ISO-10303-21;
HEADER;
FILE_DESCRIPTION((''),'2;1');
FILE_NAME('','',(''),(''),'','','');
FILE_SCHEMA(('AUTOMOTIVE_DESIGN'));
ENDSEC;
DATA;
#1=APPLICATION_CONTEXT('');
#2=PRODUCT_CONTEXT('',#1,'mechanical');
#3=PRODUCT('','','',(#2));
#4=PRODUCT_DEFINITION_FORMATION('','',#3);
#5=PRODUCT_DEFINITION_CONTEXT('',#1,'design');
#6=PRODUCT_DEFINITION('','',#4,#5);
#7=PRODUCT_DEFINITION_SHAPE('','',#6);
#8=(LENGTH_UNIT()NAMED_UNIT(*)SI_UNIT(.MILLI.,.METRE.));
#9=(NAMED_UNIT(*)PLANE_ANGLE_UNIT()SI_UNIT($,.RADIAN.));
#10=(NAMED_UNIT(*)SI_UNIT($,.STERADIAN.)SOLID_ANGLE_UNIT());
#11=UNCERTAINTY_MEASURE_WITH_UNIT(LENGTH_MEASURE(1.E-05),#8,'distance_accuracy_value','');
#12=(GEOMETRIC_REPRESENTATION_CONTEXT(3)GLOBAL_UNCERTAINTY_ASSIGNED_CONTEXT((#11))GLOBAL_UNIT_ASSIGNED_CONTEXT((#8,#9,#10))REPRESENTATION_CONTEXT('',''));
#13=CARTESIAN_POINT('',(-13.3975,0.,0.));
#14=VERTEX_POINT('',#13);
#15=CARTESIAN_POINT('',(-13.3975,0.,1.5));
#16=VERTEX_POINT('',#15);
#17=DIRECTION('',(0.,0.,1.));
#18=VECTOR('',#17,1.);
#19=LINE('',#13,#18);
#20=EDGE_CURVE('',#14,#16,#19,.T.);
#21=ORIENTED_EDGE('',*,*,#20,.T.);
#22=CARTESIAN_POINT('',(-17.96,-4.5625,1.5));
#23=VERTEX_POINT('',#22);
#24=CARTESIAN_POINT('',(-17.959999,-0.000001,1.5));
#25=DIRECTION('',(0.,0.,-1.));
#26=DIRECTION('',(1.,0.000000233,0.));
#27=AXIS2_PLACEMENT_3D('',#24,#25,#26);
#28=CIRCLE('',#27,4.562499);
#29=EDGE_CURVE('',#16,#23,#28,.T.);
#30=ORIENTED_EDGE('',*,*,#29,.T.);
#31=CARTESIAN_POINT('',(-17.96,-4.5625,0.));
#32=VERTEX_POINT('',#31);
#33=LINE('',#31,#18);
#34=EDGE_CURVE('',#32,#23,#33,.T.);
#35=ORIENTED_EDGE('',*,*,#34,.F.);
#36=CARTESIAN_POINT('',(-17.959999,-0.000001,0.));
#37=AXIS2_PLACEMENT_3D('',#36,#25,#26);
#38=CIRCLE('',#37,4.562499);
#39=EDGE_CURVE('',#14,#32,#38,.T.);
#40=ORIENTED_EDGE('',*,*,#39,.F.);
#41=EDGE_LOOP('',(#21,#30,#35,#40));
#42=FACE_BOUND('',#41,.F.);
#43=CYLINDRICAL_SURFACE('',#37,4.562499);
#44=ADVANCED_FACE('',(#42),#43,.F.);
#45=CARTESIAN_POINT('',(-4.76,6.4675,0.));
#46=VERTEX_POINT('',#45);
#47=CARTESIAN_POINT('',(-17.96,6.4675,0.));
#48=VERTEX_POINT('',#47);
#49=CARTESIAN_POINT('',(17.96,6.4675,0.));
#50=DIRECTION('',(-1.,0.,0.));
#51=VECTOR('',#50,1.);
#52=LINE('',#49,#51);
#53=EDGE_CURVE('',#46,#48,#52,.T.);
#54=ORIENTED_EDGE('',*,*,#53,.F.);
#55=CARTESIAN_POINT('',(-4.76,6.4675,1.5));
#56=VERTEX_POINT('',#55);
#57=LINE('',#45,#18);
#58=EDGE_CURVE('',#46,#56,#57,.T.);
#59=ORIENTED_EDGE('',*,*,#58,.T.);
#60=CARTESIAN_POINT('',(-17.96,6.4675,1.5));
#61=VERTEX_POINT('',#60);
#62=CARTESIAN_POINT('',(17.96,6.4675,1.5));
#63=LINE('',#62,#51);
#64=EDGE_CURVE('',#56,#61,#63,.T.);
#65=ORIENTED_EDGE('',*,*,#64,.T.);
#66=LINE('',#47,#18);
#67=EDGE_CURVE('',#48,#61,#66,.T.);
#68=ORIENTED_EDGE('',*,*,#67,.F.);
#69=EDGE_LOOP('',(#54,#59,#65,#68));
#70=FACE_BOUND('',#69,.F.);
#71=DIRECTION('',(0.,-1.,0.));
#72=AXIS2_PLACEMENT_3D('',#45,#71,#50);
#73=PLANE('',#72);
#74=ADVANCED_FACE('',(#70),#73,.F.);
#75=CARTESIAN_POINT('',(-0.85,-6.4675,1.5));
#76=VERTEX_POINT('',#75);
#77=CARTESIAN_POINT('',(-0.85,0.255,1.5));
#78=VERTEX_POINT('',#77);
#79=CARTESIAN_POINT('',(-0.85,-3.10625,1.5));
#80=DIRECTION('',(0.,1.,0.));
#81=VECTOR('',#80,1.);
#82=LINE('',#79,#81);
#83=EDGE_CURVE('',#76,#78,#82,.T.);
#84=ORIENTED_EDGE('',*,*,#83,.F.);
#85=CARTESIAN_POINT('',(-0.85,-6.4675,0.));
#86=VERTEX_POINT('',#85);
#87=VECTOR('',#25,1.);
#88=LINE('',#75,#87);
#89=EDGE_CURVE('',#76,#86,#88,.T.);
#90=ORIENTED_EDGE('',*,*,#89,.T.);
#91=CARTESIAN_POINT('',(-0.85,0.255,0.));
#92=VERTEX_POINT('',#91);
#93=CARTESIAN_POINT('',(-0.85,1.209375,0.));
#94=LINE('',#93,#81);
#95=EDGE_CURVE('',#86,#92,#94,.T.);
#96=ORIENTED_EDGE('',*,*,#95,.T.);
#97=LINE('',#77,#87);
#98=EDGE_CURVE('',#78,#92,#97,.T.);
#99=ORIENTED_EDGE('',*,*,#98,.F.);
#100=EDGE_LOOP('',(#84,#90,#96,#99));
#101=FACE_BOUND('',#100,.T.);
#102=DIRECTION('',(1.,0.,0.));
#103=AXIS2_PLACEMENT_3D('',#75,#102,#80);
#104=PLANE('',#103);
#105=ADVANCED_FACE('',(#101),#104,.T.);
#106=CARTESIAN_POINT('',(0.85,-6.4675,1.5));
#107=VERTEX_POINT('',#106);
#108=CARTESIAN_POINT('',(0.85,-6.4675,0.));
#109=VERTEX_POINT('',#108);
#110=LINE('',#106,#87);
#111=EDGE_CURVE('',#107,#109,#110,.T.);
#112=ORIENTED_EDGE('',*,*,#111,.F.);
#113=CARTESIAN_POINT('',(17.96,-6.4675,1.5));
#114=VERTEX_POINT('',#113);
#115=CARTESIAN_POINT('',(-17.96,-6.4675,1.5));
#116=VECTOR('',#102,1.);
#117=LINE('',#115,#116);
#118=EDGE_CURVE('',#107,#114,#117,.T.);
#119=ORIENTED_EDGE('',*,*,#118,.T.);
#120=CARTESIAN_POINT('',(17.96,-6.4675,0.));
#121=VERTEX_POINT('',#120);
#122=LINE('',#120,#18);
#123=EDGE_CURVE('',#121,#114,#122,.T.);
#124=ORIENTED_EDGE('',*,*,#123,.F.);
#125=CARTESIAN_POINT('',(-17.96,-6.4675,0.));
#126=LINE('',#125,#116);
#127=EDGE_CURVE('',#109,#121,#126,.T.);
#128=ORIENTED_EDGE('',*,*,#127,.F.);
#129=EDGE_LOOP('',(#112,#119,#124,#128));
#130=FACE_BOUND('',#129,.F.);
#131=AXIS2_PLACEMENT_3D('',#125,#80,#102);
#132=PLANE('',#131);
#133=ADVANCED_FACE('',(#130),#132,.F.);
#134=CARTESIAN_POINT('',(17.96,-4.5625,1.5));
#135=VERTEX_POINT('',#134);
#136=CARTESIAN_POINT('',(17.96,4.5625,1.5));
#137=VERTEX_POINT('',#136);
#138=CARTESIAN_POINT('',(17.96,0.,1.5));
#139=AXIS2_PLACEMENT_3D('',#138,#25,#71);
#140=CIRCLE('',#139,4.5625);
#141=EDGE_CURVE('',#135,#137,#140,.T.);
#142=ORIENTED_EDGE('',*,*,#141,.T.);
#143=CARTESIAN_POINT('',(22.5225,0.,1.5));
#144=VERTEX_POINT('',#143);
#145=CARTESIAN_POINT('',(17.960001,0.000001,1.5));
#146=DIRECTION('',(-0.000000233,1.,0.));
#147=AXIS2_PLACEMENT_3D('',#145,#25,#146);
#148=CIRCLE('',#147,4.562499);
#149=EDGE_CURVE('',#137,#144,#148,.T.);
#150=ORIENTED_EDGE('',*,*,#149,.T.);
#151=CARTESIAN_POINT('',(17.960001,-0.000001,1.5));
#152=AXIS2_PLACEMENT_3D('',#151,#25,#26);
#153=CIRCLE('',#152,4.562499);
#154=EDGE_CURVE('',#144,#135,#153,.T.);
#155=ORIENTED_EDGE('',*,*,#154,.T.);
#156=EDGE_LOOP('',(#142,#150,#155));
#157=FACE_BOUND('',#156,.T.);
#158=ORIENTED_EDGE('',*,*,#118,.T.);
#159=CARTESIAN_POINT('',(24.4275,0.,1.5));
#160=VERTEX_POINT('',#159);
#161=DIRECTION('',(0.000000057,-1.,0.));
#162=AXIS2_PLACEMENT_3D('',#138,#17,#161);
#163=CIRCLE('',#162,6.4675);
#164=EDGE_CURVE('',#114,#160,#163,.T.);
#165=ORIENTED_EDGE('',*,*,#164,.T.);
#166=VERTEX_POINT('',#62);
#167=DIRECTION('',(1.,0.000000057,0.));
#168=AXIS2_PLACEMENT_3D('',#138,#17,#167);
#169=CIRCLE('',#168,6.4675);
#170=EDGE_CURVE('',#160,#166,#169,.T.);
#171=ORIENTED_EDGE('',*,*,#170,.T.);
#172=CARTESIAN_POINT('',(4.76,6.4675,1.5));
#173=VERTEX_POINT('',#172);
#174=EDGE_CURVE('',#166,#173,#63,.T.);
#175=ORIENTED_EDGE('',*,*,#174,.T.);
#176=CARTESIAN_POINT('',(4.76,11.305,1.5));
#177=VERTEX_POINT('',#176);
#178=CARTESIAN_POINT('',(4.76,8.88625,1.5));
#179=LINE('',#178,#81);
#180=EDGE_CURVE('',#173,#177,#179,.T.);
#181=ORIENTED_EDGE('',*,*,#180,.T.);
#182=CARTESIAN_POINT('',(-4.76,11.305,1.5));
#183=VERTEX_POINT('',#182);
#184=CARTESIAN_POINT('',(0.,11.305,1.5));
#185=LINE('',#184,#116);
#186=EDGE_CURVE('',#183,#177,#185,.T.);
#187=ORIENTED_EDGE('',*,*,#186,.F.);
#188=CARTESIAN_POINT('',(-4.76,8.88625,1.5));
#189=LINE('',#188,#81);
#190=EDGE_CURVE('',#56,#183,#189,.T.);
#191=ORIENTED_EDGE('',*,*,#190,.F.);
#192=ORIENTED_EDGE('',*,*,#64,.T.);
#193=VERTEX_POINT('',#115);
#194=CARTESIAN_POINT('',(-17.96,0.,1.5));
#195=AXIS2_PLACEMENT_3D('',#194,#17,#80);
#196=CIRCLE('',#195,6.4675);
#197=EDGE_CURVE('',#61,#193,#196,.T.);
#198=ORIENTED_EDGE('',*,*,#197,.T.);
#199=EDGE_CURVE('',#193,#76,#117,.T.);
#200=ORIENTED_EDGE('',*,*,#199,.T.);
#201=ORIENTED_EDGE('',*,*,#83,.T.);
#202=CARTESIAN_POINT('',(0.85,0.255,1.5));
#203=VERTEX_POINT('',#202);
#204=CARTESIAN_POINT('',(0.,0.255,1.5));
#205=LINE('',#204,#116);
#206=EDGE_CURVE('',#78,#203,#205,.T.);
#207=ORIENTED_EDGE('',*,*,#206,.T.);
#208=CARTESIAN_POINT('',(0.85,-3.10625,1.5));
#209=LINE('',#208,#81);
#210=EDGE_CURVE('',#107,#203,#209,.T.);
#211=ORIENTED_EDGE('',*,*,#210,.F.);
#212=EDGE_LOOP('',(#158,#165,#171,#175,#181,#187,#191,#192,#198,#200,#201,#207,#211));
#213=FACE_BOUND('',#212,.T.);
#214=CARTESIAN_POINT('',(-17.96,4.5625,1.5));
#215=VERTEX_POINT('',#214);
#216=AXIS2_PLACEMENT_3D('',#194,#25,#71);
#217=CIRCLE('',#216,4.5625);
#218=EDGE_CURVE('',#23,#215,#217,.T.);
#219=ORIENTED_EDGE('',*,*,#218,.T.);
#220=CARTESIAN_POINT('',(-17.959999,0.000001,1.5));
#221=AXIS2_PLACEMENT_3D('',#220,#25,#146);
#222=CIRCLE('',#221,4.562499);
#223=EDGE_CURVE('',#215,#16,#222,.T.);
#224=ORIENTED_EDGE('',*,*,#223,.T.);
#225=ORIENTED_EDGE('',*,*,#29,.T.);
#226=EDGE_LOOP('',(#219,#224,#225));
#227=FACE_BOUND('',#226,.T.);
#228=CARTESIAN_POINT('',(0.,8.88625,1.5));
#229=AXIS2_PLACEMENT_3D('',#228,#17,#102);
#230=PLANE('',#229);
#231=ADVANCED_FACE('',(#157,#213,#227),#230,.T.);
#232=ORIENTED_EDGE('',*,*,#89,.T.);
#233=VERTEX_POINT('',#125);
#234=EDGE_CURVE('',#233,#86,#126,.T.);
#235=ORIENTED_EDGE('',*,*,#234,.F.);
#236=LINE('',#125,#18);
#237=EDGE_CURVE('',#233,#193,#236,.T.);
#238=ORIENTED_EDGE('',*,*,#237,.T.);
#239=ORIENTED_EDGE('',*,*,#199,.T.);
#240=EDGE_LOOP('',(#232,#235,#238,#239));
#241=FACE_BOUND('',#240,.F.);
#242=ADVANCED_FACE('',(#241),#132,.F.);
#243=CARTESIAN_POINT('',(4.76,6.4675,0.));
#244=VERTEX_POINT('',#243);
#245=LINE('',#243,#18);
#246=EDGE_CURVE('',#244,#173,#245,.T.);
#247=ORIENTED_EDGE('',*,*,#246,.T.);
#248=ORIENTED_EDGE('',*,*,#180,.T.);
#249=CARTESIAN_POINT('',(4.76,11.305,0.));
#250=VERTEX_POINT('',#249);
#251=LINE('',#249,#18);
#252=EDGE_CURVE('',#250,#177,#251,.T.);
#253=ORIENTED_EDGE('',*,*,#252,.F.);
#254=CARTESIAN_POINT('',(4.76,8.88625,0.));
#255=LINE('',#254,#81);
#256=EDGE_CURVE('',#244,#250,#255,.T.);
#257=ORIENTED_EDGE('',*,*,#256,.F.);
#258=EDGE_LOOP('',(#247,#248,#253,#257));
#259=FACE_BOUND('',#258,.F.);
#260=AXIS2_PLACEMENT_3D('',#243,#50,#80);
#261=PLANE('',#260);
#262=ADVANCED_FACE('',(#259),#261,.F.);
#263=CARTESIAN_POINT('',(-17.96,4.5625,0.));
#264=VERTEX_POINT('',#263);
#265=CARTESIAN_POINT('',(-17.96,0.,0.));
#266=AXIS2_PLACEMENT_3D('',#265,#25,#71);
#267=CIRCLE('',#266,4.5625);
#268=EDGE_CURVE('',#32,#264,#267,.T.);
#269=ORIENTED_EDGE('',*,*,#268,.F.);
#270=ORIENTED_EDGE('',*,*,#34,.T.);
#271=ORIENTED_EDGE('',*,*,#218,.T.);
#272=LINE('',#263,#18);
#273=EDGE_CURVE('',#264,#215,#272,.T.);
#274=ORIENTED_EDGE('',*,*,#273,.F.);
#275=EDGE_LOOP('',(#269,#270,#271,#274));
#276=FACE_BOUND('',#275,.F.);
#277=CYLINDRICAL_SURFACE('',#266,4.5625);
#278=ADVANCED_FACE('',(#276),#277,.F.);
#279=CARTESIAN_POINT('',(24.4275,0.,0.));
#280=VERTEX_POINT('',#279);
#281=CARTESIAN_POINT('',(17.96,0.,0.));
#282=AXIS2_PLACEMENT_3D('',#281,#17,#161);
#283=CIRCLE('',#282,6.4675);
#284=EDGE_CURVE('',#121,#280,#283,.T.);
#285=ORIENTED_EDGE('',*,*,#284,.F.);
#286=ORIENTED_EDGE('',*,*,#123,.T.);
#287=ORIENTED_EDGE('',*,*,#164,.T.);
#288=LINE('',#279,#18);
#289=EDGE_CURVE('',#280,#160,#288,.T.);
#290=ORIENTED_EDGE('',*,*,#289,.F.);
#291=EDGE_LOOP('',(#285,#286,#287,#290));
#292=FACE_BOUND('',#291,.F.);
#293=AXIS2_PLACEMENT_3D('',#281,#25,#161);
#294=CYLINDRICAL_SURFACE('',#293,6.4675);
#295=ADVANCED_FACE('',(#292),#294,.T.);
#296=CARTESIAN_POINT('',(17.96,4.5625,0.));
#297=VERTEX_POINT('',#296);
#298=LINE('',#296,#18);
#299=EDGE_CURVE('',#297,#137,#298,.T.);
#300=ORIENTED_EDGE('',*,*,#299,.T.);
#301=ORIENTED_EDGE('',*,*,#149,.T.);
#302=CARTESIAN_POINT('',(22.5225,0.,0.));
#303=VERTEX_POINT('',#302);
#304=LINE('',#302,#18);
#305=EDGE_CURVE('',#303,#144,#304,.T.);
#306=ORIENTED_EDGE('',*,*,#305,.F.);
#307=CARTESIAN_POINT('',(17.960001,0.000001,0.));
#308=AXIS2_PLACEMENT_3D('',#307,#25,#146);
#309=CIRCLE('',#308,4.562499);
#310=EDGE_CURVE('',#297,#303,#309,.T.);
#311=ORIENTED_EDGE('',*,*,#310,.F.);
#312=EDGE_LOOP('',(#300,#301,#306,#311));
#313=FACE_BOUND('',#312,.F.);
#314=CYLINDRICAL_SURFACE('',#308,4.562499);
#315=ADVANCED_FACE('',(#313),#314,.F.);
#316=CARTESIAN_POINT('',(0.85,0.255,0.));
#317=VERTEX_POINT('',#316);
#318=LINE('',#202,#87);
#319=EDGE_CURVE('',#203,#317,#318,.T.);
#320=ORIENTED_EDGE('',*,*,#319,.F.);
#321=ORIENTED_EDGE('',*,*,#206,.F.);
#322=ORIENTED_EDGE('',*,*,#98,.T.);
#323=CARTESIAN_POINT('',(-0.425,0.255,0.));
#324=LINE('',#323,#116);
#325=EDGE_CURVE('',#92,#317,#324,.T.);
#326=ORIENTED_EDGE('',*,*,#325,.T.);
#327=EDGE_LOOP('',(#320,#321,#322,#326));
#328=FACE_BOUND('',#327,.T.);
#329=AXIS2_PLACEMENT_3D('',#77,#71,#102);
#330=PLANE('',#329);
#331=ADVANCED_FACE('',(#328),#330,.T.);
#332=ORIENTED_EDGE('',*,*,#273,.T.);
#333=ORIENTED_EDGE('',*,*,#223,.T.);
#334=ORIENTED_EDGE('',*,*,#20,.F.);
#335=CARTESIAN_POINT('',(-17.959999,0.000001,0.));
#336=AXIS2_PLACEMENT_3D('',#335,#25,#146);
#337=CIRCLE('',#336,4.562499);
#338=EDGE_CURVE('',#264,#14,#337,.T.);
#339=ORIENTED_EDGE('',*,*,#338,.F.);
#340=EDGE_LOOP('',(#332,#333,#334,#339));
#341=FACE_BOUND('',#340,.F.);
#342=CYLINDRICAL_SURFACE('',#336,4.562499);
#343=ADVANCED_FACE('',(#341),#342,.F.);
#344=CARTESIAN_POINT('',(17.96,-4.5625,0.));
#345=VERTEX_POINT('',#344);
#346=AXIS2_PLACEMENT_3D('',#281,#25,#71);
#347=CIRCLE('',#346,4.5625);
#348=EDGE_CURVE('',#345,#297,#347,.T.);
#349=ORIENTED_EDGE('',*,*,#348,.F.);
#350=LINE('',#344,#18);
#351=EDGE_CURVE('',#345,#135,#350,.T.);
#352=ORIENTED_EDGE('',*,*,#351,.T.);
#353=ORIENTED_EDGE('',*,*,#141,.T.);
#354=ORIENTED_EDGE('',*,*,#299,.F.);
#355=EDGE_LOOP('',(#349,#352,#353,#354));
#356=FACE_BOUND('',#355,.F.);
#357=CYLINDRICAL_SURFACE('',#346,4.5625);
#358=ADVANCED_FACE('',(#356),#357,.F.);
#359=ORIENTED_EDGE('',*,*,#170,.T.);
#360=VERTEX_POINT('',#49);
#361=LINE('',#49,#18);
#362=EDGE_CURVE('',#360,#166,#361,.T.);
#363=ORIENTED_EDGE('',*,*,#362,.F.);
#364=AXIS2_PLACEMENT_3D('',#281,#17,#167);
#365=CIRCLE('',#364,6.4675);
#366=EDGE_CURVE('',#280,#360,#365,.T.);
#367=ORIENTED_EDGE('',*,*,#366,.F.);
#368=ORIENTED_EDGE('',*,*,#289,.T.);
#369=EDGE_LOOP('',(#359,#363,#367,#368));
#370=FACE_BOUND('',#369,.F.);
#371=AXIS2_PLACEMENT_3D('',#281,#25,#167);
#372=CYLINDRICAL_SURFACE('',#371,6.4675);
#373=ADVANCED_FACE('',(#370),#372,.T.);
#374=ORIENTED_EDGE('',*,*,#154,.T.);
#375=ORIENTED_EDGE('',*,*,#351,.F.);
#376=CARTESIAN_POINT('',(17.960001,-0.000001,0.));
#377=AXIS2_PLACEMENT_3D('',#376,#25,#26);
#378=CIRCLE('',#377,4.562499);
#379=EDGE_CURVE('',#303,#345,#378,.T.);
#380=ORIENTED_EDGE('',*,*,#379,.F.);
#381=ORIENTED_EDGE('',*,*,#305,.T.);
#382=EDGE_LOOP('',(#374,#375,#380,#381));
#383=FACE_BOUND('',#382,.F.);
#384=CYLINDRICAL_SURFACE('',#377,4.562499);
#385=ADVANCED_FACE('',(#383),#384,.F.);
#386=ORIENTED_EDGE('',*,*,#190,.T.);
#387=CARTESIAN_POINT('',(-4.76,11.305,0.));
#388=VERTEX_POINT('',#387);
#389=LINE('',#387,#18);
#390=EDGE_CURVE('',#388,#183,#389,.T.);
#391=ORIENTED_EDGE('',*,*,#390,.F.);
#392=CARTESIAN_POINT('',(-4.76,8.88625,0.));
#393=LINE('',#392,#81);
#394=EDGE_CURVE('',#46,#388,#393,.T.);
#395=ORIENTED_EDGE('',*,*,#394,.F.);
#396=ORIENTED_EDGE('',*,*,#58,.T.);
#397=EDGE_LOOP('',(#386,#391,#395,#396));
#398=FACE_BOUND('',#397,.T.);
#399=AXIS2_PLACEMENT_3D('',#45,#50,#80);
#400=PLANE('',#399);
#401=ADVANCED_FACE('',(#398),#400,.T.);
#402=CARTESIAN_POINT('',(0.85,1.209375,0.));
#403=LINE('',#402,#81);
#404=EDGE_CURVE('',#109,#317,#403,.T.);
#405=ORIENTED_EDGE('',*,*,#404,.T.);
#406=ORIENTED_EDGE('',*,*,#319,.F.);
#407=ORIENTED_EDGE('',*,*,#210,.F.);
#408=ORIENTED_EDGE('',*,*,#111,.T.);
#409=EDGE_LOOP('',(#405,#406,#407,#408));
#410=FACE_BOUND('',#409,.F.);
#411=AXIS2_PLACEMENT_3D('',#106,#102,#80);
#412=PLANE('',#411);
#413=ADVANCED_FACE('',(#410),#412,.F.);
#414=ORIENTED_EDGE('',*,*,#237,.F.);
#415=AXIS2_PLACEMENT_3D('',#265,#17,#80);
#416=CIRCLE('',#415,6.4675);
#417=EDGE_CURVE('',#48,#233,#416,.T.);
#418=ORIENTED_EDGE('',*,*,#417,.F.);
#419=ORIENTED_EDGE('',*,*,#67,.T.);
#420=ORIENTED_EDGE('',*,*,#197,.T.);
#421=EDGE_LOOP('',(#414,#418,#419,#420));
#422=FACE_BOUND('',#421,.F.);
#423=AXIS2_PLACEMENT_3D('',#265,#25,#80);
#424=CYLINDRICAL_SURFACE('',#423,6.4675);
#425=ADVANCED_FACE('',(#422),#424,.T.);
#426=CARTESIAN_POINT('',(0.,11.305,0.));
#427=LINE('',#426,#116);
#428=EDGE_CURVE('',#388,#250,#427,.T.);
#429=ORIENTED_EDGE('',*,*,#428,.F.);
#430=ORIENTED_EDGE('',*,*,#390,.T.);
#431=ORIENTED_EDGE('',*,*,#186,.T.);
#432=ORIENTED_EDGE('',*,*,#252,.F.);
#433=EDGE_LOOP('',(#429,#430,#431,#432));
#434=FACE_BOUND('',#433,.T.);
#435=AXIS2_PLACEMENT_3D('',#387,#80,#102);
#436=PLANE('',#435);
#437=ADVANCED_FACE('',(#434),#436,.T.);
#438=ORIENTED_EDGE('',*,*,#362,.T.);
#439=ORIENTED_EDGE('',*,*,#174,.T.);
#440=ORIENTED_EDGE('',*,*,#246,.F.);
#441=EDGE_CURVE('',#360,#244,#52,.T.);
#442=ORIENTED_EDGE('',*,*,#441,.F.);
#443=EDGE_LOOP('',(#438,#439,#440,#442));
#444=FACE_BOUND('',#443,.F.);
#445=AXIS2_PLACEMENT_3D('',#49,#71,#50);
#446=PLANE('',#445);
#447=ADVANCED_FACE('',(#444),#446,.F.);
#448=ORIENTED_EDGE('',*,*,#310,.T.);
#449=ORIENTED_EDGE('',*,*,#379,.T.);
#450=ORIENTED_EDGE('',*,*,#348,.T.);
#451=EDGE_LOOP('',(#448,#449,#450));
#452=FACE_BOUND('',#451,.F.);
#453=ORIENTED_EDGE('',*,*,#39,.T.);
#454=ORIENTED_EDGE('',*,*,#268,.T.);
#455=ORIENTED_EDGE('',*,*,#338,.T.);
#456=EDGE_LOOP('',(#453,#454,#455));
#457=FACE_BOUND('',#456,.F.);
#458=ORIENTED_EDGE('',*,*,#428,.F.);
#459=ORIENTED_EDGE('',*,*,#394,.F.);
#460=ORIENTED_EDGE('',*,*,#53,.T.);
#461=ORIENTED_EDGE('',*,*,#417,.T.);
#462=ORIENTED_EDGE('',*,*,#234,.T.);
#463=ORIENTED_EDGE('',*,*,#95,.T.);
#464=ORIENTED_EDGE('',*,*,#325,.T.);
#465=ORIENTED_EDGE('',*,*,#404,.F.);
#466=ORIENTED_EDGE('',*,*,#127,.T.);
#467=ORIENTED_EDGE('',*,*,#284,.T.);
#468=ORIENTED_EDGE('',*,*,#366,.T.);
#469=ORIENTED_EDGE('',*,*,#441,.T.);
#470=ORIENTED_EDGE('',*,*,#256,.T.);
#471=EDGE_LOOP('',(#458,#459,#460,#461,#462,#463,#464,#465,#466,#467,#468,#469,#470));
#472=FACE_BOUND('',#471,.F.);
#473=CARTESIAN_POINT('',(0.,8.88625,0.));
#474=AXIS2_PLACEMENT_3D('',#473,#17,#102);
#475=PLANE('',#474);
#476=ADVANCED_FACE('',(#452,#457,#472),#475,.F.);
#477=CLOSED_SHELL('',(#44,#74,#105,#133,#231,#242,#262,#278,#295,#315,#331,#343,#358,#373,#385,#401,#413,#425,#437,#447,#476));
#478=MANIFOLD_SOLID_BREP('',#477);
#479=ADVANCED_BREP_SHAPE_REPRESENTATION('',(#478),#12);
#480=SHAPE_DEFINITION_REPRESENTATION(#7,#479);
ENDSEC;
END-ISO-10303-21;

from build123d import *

# Parameters (mm, degrees)
F0_W     = 9.52
F0_H     = 4.8375
F1_DEPTH = 1.5
F2_W     = 1.7
F2_H     = 6.7225
F3_DEPTH = 1.501


with BuildPart() as f1:
    # F0 (on Top) → F1 (new body)
    with BuildSketch(Plane.XY):
        with Locations((0, 8.88625)):
            Rectangle(F0_W, F0_H)
        with BuildLine():
            ThreePointArc((17.96, -4.5625), (13.3975, 0), (17.96, 4.5625))
            Line((17.96, 4.5625), (17.96, 6.4675))
            ThreePointArc((17.96, 6.4675), (11.4925, 0), (17.96, -6.4675))
            Line((17.96, -6.4675), (17.96, -4.5625))
        make_face()
        with BuildLine():
            Line((-17.96, -4.5625), (-17.96, -6.4675))
            ThreePointArc((-17.96, -6.4675), (-13.386787, -4.573213), (-11.4925, 0))
            ThreePointArc((-11.4925, 0), (-13.386787, 4.573213), (-17.96, 6.4675))
            Line((-17.96, 6.4675), (-17.96, 4.5625))
            ThreePointArc((-17.96, 4.5625), (-14.733825, 3.226175), (-13.3975, 0))
            ThreePointArc((-13.3975, 0), (-14.733825, -3.226175), (-17.96, -4.5625))
        make_face()
        with BuildLine():
            ThreePointArc((17.96, 4.5625), (21.186175, 3.226175), (22.5225, 0))
            ThreePointArc((22.5225, 0), (21.186175, -3.226175), (17.96, -4.5625))
            Line((17.96, -4.5625), (17.96, -6.4675))
            ThreePointArc((17.96, -6.4675), (22.533213, -4.573213), (24.4275, 0))
            ThreePointArc((24.4275, 0), (22.533213, 4.573213), (17.96, 6.4675))
            Line((17.96, 6.4675), (17.96, 4.5625))
        make_face()
        with BuildLine():
            ThreePointArc((-17.96, 6.4675), (-24.4275, 0), (-17.96, -6.4675))
            Line((-17.96, -6.4675), (-17.96, -4.5625))
            ThreePointArc((-17.96, -4.5625), (-22.5225, 0), (-17.96, 4.5625))
            Line((-17.96, 4.5625), (-17.96, 6.4675))
        make_face()
        with BuildLine():
            ThreePointArc((17.96, -6.4675), (11.4925, 0), (17.96, 6.4675))
            Line((17.96, 6.4675), (4.76, 6.4675))
            Line((4.76, 6.4675), (-4.76, 6.4675))
            Line((-4.76, 6.4675), (-17.96, 6.4675))
            ThreePointArc((-17.96, 6.4675), (-13.386787, 4.573213), (-11.4925, 0))
            ThreePointArc((-11.4925, 0), (-13.386787, -4.573213), (-17.96, -6.4675))
            Line((-17.96, -6.4675), (17.96, -6.4675))
        make_face()
    extrude(amount=F1_DEPTH)

    # F2 (on face) → F3 (cut, through all)
    with BuildSketch(Plane.XY.offset(1.5)):
        with Locations((0, -3.10625)):
            Rectangle(F2_W, F2_H)
    extrude(amount=-F3_DEPTH, mode=Mode.SUBTRACT)


solid = f1.part
